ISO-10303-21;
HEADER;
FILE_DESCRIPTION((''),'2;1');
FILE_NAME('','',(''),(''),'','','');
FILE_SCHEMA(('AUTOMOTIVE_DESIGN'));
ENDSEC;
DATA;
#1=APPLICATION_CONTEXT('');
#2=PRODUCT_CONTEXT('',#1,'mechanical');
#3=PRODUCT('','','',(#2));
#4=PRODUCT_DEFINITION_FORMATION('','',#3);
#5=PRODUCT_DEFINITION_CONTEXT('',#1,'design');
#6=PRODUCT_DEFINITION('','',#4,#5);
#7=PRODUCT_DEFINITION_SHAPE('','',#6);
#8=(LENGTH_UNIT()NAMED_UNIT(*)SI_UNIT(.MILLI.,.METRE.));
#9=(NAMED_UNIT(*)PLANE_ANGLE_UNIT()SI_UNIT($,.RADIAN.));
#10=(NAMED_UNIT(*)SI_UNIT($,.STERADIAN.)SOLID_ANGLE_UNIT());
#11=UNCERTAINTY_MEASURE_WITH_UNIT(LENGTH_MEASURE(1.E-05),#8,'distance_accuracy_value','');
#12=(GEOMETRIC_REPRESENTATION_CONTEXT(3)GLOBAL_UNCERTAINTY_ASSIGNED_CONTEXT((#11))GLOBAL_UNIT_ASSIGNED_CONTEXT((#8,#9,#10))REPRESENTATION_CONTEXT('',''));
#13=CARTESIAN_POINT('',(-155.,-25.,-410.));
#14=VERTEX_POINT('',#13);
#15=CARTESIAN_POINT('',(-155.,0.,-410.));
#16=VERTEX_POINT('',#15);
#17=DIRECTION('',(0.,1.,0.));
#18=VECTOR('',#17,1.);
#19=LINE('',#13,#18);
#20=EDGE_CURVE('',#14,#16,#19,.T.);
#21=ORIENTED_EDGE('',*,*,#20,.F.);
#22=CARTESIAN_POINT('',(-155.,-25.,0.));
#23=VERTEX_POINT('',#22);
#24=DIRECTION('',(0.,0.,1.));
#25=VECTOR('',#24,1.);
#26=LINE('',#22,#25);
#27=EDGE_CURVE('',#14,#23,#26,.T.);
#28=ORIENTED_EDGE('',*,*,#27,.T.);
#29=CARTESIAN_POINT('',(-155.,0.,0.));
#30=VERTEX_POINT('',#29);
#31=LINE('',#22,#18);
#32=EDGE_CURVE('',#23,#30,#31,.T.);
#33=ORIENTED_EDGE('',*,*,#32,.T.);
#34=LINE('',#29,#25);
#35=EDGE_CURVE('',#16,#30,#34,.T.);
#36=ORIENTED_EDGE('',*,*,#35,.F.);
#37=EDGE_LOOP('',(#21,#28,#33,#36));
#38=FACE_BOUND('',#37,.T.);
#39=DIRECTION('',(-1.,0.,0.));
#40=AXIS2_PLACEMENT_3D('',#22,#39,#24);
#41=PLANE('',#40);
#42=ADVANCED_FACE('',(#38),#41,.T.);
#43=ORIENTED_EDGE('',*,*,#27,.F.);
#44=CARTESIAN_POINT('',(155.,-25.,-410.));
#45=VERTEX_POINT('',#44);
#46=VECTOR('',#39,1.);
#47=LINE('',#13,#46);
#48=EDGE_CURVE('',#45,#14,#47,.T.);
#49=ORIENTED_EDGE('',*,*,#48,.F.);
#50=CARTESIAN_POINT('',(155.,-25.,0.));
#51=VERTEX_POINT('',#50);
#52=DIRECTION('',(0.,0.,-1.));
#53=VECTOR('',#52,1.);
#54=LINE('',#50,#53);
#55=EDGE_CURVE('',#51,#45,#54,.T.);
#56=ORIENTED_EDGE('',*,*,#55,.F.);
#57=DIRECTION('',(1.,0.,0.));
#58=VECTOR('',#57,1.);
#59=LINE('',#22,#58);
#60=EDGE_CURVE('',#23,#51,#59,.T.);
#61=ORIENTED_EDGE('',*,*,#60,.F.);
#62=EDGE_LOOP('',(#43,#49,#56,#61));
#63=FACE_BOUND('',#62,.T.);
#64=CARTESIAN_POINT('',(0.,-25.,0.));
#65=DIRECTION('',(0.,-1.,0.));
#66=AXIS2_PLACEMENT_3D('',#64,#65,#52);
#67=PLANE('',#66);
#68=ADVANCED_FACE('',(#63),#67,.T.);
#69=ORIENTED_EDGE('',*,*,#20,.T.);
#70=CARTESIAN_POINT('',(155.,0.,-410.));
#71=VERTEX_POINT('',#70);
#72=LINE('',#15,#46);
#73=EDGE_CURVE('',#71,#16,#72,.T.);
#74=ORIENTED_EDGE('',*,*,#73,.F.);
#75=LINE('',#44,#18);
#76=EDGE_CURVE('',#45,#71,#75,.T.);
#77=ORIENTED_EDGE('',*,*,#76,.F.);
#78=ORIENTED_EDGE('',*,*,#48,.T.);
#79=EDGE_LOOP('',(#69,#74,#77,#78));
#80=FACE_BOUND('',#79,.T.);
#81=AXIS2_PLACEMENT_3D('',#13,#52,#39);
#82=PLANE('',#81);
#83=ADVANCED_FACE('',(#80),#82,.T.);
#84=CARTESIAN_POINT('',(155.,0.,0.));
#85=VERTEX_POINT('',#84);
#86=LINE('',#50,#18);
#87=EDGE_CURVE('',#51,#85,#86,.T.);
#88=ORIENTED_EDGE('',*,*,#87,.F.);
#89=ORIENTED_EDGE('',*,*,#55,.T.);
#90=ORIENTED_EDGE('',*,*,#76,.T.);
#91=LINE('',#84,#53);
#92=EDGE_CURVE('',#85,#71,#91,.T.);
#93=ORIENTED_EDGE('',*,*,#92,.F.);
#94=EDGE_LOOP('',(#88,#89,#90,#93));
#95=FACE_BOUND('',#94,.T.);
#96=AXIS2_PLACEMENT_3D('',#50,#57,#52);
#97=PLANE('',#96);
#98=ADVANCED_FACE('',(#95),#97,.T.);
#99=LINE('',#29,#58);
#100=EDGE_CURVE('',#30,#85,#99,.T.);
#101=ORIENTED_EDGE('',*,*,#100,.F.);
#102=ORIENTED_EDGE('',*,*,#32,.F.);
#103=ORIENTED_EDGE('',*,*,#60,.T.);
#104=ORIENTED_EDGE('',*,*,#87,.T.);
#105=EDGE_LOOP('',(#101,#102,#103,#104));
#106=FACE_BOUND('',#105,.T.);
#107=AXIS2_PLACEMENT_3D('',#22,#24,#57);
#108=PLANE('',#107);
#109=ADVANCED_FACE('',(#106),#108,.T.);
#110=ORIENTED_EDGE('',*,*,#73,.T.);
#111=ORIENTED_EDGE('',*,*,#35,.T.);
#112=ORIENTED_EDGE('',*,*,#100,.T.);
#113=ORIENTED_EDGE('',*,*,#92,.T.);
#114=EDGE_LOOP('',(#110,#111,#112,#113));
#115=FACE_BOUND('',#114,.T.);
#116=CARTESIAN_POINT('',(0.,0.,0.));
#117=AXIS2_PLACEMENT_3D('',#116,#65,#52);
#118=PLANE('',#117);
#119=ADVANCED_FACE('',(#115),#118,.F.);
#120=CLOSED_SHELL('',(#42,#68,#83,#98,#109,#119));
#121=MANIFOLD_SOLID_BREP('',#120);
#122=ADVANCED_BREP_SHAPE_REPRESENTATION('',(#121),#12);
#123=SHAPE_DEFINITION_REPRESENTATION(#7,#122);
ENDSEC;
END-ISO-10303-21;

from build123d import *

# Parameters (mm, degrees)
SKETCH1_W           = 310
SKETCH1_H           = 410
BOSS_EXTRUDE1_DEPTH = 25


with BuildPart() as part:
    # Sketch1 → Boss-Extrude1 (new body)
    with BuildSketch(Plane(origin=(0, 0, 0), x_dir=(1, 0, 0), z_dir=(0, 1, 0))):
        with Locations((0, 205)):
            Rectangle(SKETCH1_W, SKETCH1_H)
    extrude(amount=-BOSS_EXTRUDE1_DEPTH)


solid = part.part
